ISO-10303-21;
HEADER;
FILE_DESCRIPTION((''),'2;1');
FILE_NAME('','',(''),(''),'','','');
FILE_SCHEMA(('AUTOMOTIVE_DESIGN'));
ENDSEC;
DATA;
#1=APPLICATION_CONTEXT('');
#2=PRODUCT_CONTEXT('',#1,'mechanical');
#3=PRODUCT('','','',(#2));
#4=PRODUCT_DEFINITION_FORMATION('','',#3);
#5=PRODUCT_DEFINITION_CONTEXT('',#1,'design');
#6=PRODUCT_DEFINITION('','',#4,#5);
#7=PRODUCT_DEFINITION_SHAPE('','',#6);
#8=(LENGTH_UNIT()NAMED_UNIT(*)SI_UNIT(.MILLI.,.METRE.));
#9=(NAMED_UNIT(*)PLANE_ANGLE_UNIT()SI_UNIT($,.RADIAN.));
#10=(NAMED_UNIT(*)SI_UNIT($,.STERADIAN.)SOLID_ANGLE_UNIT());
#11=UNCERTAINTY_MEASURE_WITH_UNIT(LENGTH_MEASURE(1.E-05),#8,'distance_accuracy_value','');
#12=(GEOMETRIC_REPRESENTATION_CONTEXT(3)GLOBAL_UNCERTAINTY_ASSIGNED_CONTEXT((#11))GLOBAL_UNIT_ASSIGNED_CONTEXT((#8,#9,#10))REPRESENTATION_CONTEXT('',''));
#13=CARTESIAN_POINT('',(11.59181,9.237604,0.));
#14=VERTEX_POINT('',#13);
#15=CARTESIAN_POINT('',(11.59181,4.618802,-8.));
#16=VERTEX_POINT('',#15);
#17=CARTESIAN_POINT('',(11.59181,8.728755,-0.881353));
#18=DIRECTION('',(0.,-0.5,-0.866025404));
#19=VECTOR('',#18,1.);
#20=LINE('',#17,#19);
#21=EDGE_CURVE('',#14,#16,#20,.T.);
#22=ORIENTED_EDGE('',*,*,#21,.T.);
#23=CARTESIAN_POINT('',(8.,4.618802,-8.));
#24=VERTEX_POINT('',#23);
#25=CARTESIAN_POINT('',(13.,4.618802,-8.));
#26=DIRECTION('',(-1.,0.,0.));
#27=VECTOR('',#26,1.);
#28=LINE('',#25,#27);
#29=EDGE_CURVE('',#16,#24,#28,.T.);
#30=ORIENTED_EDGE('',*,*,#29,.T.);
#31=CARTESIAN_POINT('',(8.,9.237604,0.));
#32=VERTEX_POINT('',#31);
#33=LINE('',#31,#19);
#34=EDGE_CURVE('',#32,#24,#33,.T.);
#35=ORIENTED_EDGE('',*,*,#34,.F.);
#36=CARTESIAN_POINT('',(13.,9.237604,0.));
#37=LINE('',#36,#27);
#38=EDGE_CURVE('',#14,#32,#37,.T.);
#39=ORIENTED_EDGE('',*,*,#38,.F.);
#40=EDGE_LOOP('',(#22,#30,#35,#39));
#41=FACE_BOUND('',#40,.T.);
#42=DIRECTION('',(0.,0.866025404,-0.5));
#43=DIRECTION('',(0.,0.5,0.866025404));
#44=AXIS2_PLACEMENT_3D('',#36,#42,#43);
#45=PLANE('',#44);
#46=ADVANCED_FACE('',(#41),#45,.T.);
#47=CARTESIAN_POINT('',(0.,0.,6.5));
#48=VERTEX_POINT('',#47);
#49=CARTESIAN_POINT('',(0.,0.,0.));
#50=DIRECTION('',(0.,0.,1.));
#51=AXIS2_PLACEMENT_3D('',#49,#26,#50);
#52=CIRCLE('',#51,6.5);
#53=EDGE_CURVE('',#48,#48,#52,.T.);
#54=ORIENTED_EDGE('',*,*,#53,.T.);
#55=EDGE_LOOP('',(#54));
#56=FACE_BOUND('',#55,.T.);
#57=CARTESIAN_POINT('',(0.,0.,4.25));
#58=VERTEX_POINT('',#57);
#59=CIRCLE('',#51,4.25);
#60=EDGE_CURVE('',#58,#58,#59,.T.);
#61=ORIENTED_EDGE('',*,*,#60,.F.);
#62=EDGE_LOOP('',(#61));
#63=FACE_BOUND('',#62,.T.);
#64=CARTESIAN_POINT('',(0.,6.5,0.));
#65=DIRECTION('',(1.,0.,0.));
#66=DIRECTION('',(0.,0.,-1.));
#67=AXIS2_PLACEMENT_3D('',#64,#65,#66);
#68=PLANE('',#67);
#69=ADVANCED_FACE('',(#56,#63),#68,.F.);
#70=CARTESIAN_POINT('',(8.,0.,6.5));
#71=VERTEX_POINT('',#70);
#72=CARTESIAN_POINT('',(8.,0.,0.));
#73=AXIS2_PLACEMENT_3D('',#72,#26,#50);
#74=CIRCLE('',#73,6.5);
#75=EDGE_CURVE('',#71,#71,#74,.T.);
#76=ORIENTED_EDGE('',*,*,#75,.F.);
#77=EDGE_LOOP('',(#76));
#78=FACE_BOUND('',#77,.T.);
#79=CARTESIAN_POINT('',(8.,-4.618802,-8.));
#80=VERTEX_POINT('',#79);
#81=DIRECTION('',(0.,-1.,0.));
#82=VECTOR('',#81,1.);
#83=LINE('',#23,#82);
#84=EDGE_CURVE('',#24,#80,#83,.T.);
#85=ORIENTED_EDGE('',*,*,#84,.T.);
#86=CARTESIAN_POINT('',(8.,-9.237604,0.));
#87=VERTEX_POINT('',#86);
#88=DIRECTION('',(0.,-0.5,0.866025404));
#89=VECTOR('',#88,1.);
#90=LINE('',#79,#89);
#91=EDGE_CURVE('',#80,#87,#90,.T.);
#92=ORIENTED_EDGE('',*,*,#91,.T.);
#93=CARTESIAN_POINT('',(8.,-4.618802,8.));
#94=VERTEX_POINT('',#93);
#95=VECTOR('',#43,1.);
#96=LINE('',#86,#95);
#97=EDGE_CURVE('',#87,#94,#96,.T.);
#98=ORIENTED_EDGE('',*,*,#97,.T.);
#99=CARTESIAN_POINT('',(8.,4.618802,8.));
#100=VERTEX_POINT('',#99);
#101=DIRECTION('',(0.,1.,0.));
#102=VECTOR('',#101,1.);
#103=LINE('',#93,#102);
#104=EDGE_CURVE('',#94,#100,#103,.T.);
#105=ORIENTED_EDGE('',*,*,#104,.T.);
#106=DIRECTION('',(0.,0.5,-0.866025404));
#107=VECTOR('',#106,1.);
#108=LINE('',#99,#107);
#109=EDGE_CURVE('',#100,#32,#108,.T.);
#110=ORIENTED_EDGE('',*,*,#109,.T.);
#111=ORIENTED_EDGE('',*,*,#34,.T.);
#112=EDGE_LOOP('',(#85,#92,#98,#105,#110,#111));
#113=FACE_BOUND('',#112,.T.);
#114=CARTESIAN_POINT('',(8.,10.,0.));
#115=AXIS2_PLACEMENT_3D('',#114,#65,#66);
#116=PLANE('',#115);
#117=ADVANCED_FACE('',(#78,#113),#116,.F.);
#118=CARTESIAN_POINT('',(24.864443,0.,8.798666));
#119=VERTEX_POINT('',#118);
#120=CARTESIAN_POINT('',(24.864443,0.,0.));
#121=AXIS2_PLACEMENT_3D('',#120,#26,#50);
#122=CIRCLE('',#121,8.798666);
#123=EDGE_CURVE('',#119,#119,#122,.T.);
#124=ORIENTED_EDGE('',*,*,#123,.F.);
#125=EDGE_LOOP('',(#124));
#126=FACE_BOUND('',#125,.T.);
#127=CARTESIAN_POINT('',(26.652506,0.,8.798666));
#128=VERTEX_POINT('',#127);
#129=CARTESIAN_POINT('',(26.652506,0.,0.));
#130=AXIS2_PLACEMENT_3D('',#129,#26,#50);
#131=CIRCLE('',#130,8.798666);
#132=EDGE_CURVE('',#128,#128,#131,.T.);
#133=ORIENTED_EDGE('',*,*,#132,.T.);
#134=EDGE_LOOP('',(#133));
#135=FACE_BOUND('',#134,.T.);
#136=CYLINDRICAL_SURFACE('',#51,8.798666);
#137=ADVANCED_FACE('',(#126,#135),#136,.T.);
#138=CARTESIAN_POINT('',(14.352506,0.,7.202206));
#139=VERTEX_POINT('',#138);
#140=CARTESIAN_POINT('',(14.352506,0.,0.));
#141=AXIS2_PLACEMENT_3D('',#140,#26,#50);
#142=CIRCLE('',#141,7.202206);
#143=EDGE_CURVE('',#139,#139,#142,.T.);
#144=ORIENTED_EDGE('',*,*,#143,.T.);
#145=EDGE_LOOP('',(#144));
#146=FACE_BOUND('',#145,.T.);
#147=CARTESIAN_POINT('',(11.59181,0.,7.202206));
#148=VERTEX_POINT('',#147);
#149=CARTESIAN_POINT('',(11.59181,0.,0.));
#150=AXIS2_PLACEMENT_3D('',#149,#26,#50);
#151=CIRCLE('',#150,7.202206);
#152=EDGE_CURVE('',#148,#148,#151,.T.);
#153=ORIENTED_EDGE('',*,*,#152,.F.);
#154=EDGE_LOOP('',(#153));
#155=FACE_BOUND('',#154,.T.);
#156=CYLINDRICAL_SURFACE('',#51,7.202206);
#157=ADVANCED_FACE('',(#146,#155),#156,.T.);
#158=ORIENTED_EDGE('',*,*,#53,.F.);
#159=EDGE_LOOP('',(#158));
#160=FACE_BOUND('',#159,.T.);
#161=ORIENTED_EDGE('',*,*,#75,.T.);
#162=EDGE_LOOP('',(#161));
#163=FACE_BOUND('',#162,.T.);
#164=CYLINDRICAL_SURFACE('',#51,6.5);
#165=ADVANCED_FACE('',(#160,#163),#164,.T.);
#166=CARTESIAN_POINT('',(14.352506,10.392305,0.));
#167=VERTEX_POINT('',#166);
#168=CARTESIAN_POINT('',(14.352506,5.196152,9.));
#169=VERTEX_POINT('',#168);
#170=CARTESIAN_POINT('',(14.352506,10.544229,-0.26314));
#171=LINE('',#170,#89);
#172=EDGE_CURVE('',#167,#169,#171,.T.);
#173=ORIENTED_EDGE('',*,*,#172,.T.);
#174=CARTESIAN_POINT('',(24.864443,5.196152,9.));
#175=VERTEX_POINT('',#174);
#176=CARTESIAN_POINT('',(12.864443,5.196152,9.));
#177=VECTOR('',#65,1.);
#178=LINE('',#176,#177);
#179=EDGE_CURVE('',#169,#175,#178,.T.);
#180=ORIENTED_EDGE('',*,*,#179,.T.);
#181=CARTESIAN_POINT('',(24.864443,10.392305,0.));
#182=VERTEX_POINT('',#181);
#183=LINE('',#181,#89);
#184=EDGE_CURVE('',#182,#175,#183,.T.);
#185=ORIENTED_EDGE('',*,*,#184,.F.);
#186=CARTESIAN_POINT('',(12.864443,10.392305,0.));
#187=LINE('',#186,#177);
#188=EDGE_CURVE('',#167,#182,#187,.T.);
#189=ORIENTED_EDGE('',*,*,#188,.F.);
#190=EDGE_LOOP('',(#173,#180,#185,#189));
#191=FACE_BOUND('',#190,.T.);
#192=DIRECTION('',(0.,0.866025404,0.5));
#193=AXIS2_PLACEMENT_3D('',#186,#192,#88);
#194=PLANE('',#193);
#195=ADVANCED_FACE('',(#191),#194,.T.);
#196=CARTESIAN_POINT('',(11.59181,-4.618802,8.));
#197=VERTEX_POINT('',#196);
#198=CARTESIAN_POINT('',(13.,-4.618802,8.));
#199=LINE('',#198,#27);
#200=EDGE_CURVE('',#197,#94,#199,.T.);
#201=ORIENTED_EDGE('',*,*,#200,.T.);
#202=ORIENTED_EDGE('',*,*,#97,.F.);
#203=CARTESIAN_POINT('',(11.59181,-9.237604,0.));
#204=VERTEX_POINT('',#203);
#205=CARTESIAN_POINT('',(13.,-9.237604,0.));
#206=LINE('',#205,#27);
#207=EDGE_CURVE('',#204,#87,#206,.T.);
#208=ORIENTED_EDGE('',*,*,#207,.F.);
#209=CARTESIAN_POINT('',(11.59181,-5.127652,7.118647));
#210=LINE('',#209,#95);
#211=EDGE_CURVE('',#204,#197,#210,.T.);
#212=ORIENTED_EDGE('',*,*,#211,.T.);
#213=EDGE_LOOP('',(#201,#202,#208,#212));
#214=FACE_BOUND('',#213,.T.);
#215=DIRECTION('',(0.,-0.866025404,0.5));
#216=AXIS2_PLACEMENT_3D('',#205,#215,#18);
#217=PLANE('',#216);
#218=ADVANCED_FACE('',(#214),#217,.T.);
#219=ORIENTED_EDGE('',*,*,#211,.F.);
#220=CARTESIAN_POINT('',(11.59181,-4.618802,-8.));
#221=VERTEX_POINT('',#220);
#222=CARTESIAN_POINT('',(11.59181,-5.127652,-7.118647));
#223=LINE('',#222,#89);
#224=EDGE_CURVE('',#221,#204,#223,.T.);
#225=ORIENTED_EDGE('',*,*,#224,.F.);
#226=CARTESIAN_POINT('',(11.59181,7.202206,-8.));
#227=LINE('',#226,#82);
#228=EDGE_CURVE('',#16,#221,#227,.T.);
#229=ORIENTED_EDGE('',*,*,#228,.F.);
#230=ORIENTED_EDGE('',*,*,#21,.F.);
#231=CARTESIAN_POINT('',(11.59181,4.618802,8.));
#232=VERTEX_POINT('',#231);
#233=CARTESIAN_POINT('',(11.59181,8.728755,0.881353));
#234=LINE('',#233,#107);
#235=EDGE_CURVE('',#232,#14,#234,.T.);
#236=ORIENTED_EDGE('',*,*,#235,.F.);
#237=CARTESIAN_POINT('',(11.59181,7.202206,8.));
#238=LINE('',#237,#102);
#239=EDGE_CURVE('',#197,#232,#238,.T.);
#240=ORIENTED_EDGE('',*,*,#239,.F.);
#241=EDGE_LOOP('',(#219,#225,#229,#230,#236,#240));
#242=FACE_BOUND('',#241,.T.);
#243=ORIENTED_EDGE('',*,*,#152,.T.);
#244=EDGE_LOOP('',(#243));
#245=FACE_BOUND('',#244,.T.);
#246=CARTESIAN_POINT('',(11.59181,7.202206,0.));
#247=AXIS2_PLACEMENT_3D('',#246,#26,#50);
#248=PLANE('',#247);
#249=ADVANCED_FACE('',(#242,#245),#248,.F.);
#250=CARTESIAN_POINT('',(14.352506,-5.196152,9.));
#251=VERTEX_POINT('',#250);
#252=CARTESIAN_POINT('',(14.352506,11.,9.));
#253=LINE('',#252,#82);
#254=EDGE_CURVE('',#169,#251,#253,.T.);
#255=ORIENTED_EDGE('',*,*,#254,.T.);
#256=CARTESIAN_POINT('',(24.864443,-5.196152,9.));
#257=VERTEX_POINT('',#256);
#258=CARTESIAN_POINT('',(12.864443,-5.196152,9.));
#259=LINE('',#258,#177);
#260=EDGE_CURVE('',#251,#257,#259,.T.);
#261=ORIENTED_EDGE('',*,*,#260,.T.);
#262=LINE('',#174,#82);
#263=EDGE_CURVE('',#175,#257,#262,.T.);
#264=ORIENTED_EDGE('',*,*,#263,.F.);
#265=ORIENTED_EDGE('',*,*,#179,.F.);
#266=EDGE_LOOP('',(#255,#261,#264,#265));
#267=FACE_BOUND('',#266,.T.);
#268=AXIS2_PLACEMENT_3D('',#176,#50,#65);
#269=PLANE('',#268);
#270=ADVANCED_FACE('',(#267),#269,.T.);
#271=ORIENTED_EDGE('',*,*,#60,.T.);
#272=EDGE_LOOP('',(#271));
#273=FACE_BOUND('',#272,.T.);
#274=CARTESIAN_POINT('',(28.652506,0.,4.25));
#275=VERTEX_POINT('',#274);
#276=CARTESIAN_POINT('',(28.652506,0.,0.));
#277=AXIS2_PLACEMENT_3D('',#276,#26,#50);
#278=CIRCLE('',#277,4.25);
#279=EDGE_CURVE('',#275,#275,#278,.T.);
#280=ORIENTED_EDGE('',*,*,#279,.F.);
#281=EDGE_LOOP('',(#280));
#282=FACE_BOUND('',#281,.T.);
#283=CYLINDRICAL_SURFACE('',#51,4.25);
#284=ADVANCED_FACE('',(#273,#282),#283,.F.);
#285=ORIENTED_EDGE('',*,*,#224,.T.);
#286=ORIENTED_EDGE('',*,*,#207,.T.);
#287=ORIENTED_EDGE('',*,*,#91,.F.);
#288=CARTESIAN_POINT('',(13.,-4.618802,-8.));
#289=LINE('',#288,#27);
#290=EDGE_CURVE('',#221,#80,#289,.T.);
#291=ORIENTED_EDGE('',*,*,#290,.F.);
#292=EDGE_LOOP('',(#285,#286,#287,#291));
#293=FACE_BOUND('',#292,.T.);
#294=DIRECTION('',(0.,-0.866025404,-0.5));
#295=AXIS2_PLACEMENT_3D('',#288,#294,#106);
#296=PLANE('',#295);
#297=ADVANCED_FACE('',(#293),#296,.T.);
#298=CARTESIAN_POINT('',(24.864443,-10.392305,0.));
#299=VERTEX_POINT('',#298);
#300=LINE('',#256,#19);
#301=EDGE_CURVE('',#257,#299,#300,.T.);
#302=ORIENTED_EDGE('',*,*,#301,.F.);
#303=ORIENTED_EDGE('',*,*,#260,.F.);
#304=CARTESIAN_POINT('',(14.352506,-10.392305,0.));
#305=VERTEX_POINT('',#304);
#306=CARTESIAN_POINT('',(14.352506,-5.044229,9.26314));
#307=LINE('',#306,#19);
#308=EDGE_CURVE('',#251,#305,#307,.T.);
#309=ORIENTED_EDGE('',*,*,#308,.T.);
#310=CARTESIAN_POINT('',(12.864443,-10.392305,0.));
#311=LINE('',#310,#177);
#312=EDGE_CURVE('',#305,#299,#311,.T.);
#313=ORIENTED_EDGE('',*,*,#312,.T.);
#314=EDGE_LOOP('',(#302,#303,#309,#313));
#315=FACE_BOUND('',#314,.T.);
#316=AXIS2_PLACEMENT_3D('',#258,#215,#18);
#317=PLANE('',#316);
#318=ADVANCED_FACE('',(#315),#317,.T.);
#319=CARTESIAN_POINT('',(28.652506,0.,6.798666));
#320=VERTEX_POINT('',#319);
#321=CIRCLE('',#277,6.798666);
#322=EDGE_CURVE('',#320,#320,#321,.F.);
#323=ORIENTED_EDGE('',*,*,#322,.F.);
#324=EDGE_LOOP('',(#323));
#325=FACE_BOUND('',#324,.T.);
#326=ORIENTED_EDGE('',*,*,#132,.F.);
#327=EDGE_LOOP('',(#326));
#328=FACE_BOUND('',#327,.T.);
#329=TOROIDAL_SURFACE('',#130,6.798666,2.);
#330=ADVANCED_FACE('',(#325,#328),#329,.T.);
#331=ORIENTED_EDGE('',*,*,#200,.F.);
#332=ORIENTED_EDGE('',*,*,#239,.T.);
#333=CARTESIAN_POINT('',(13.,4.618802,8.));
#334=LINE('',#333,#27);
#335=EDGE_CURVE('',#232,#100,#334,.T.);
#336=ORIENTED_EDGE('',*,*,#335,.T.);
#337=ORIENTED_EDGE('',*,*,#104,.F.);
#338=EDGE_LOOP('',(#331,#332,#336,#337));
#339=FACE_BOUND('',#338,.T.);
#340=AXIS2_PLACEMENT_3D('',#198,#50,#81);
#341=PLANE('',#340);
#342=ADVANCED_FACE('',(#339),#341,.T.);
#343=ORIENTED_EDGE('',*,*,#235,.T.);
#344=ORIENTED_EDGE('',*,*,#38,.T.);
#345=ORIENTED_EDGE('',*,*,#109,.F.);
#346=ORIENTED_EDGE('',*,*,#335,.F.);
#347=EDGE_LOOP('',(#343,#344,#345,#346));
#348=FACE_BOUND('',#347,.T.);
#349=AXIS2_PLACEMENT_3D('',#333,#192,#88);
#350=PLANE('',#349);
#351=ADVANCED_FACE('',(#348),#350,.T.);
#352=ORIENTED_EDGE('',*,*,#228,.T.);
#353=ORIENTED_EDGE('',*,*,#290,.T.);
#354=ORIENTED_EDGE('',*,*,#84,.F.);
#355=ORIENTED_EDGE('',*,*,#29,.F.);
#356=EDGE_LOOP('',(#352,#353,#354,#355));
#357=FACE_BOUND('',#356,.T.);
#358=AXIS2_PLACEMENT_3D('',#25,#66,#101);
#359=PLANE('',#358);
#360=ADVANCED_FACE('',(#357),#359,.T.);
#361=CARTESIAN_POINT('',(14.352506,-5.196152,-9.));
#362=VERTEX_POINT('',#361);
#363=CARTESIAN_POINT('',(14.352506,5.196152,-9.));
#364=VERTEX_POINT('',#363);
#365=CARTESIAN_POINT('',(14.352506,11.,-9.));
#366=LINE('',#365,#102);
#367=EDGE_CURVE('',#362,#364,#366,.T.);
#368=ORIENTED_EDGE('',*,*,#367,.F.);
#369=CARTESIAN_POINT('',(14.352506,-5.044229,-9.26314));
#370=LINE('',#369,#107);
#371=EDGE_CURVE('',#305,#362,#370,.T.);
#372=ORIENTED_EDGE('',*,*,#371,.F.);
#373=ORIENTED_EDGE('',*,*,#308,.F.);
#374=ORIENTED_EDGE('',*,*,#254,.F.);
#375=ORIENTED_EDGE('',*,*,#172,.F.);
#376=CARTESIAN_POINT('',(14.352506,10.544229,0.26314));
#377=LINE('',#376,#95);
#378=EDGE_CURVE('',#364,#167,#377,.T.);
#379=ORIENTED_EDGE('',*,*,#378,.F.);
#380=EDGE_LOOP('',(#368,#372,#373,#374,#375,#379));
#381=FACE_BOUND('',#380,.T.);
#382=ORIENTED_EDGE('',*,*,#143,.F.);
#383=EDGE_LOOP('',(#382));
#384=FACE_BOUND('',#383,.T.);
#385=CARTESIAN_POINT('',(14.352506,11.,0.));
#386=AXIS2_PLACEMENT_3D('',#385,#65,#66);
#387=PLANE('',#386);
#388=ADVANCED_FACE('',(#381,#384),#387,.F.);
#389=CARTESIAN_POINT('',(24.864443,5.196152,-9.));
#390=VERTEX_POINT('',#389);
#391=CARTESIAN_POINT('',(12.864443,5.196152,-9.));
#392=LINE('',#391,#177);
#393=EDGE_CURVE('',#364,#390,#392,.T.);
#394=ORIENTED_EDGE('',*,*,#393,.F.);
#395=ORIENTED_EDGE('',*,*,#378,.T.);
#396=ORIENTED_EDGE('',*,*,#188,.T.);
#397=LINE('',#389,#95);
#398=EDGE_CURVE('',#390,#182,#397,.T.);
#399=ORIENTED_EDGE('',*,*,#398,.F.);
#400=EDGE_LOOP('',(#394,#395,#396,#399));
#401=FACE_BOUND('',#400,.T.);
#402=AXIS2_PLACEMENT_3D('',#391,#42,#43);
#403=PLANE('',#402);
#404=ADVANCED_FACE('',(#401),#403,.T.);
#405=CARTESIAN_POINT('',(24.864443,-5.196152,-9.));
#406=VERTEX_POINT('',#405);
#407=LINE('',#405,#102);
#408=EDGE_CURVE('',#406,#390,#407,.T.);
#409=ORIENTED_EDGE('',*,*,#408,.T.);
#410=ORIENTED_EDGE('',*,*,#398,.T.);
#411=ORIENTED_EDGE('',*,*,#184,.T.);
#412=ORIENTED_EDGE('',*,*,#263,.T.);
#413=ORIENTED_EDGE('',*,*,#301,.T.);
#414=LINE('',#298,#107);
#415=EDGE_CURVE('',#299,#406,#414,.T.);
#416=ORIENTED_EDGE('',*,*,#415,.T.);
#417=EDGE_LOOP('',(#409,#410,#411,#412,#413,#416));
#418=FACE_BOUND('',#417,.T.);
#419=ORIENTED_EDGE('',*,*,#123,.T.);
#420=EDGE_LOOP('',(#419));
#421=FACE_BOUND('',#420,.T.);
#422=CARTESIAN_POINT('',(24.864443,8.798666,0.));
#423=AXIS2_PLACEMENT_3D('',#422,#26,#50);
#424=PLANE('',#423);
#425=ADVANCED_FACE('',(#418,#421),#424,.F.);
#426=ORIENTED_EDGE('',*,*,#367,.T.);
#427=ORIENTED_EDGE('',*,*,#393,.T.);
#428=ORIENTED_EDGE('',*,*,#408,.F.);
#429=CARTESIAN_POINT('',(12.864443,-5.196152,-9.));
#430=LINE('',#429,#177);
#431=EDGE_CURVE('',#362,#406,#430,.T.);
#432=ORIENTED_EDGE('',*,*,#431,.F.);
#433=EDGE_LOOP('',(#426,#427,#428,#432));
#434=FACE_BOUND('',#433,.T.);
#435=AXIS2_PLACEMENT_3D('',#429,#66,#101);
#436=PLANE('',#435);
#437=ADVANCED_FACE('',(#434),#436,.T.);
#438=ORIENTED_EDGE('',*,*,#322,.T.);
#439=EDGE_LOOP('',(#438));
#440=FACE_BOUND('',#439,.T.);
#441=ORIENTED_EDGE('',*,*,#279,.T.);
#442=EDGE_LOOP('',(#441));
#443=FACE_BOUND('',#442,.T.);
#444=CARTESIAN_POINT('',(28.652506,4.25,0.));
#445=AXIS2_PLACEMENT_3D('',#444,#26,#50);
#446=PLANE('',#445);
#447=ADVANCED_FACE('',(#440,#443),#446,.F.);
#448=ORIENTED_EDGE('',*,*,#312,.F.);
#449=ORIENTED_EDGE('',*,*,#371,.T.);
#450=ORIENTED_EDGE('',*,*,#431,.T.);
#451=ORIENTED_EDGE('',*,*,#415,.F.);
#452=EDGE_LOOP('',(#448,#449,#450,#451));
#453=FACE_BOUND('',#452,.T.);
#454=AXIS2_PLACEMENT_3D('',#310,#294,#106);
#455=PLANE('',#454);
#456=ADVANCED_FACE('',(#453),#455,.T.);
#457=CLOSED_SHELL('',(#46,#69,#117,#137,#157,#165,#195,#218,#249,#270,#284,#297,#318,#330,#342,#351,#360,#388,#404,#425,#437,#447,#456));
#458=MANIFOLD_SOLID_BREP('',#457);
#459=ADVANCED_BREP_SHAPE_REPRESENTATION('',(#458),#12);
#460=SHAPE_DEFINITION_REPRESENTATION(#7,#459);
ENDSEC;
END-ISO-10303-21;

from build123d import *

# Parameters (mm, degrees)
SKETCH2_R          = 15.716456716
CUT_EXTRUDE2_DEPTH = 12
SKETCH3_R          = 15.643449511
CUT_EXTRUDE3_DEPTH = 5
FILLET1_R          = 2


with BuildPart() as part:
    # Sketch1 → Revolve1 (revolve)
    with BuildSketch(Plane.XY, mode=Mode.PRIVATE) as revolve1_sk:
        Polygon((0, 4.25), (28.652506034, 4.25), (28.652506034, 8.798665847), (24.864443275, 8.798665847), (24.864443275, 11), (14.352506034, 11), (14.352506034, 7.20220566), (11.591810477, 7.20220566), (11.591810477, 10), (8, 10), (8, 6.5), (0, 6.5), align=None)
    revolve(revolve1_sk.sketch.rotate(Axis((0, 0, 0), (1, 0, 0)), 90), axis=Axis((0, 0, 0), (1, 0, 0)))

    # Sketch2 → Cut-Extrude2 (cut)
    with BuildSketch(Plane(origin=(24.864443275, 0, 0), x_dir=(0, 0, -1), z_dir=(1, 0, 0))):
        Circle(SKETCH2_R)
        Polygon((0, 10.392304845), (-9, 5.196152423), (-9, -5.196152423), (0, -10.392304845), (9, -5.196152423), (9, 5.196152423), align=None, mode=Mode.SUBTRACT)
    extrude(amount=-CUT_EXTRUDE2_DEPTH, mode=Mode.SUBTRACT)

    # Sketch3 → Cut-Extrude3 (cut)
    with BuildSketch(Plane.ZY.offset(-8)):
        Circle(SKETCH3_R)
        Polygon((0, 9.237604307), (-8, 4.618802154), (-8, -4.618802154), (0, -9.237604307), (8, -4.618802154), (8, 4.618802154), align=None, mode=Mode.SUBTRACT)
    extrude(amount=-CUT_EXTRUDE3_DEPTH, mode=Mode.SUBTRACT)

    # Fillet1
    fillet1_edges = [part.edges().sort_by_distance(p)[0] for p in [
        (28.652506034, 0, -8.798665847),
    ]]
    fillet(fillet1_edges, radius=FILLET1_R)


solid = part.part
